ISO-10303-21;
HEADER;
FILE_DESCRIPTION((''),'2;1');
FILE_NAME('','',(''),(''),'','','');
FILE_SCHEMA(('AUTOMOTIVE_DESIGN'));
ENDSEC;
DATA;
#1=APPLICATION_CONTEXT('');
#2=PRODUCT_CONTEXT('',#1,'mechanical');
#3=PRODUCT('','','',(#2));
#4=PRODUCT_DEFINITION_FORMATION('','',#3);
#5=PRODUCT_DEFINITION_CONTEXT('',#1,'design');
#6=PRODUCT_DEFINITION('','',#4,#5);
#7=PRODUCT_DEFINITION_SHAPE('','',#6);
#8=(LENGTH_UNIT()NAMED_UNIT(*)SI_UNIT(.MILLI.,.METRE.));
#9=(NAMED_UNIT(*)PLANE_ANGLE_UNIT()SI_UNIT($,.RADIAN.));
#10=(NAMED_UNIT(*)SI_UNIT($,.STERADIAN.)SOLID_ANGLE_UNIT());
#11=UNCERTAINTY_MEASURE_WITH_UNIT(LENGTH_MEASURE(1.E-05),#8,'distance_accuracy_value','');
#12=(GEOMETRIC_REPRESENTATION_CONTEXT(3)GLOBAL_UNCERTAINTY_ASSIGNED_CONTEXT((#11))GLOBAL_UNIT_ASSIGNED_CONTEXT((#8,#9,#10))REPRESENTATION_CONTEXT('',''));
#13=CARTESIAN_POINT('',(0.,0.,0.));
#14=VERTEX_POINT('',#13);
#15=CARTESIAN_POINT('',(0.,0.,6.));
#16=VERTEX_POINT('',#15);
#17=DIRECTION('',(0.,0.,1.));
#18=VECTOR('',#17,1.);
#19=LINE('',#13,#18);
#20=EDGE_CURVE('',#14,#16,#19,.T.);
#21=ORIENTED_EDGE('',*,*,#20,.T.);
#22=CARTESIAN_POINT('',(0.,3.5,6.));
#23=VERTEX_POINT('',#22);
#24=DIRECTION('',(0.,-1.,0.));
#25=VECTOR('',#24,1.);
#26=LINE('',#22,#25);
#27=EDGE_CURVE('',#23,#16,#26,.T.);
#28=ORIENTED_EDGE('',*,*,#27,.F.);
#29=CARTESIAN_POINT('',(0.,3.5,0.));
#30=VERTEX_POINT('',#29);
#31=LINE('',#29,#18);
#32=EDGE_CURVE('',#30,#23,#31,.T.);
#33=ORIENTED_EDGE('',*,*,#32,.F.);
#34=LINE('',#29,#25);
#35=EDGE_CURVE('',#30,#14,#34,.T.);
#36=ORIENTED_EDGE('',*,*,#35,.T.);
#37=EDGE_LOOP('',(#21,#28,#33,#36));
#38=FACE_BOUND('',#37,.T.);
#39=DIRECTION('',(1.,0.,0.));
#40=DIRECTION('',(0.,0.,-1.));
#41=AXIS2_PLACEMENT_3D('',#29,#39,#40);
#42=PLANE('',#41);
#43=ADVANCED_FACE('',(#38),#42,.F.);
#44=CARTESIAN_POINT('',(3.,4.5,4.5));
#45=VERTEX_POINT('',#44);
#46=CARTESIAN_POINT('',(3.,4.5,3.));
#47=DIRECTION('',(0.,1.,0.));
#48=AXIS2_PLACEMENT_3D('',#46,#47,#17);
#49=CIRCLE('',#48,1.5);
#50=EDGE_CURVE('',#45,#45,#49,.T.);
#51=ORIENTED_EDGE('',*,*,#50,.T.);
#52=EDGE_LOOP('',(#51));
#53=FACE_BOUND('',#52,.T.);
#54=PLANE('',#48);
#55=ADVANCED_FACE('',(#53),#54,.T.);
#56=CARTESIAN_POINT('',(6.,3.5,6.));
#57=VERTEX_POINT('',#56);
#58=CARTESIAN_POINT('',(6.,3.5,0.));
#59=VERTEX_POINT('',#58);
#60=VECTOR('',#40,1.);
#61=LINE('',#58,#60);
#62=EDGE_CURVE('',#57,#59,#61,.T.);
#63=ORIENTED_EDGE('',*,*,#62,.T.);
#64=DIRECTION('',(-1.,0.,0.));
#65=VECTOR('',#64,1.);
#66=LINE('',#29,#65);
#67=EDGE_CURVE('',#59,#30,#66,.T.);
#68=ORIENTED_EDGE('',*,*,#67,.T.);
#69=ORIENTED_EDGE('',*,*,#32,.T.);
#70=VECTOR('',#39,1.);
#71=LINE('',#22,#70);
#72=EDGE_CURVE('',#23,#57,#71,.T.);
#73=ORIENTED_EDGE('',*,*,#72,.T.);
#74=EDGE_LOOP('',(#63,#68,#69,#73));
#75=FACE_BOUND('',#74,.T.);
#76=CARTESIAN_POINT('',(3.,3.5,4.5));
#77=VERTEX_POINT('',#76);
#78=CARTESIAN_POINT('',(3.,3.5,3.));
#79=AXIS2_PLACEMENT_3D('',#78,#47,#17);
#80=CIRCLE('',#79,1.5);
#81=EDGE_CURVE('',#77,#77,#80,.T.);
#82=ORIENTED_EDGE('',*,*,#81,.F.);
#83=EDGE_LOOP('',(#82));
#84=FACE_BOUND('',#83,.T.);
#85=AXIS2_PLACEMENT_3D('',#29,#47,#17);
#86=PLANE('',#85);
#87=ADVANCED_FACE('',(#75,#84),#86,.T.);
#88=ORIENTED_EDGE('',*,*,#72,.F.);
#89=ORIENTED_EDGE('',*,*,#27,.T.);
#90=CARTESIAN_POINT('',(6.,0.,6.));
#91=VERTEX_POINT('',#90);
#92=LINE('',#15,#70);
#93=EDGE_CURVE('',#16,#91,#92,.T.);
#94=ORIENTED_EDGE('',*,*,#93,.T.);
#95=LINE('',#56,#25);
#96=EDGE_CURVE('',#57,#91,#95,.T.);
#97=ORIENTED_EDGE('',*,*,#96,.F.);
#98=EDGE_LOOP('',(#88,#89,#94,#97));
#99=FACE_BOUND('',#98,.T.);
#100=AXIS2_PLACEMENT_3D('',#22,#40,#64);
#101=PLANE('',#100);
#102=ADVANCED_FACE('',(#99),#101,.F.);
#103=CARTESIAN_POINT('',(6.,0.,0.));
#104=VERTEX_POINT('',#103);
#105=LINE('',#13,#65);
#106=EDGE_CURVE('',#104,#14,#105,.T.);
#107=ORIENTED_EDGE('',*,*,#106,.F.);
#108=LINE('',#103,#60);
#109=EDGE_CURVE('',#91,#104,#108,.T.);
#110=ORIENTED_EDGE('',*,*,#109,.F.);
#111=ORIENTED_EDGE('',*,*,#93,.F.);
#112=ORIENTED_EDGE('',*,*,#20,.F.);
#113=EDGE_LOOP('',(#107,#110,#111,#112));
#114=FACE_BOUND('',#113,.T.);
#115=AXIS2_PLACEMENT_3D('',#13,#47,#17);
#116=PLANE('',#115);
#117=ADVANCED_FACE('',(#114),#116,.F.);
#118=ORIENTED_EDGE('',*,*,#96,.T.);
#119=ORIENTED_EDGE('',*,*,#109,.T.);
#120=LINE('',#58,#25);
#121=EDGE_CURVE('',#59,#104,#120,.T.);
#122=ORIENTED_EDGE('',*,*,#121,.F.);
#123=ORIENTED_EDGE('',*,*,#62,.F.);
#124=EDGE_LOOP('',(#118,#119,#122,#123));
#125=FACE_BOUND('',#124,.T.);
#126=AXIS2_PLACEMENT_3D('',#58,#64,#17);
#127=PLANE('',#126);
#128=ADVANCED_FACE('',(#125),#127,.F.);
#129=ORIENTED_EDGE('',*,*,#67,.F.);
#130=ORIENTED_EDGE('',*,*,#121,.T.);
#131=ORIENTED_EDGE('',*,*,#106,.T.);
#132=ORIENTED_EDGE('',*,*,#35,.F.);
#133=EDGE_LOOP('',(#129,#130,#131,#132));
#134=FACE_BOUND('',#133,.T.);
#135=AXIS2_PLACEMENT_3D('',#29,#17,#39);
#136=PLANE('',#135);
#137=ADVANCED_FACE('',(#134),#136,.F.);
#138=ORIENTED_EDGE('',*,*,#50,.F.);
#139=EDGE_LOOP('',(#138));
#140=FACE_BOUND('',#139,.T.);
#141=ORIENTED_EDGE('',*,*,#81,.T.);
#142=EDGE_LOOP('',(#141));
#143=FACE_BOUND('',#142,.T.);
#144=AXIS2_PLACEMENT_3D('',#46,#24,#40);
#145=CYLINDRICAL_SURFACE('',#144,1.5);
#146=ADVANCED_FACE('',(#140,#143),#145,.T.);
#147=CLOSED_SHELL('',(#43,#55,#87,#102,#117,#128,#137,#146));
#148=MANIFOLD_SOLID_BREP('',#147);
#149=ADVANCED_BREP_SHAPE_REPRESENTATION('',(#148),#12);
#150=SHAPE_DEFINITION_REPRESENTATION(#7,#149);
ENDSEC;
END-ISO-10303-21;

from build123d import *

# Parameters (mm, degrees)
SKETCH_1_W      = 6
SKETCH_1_H      = 6
EXTRUDE_1_DEPTH = 3.5
SKETCH_2_R      = 1.5
EXTRUDE_2_DEPTH = 1


with BuildPart() as part:
    # Эскиз1 → Бобышка-Вытянуть1 (new body)
    with BuildSketch(Plane(origin=(0, 0, 0), x_dir=(1, 0, 0), z_dir=(0, 1, 0))):
        with Locations((3, -3)):
            Rectangle(SKETCH_1_W, SKETCH_1_H)
    extrude(amount=EXTRUDE_1_DEPTH)

    # Эскиз2 → Бобышка-Вытянуть2 (add)
    with BuildSketch(Plane(origin=(0, 3.5, 0), x_dir=(1, 0, 0), z_dir=(0, 1, 0))):
        with Locations(Location((3, -3, 0), (0, 0, 270))):
            Circle(SKETCH_2_R)
    extrude(amount=EXTRUDE_2_DEPTH)


solid = part.part
